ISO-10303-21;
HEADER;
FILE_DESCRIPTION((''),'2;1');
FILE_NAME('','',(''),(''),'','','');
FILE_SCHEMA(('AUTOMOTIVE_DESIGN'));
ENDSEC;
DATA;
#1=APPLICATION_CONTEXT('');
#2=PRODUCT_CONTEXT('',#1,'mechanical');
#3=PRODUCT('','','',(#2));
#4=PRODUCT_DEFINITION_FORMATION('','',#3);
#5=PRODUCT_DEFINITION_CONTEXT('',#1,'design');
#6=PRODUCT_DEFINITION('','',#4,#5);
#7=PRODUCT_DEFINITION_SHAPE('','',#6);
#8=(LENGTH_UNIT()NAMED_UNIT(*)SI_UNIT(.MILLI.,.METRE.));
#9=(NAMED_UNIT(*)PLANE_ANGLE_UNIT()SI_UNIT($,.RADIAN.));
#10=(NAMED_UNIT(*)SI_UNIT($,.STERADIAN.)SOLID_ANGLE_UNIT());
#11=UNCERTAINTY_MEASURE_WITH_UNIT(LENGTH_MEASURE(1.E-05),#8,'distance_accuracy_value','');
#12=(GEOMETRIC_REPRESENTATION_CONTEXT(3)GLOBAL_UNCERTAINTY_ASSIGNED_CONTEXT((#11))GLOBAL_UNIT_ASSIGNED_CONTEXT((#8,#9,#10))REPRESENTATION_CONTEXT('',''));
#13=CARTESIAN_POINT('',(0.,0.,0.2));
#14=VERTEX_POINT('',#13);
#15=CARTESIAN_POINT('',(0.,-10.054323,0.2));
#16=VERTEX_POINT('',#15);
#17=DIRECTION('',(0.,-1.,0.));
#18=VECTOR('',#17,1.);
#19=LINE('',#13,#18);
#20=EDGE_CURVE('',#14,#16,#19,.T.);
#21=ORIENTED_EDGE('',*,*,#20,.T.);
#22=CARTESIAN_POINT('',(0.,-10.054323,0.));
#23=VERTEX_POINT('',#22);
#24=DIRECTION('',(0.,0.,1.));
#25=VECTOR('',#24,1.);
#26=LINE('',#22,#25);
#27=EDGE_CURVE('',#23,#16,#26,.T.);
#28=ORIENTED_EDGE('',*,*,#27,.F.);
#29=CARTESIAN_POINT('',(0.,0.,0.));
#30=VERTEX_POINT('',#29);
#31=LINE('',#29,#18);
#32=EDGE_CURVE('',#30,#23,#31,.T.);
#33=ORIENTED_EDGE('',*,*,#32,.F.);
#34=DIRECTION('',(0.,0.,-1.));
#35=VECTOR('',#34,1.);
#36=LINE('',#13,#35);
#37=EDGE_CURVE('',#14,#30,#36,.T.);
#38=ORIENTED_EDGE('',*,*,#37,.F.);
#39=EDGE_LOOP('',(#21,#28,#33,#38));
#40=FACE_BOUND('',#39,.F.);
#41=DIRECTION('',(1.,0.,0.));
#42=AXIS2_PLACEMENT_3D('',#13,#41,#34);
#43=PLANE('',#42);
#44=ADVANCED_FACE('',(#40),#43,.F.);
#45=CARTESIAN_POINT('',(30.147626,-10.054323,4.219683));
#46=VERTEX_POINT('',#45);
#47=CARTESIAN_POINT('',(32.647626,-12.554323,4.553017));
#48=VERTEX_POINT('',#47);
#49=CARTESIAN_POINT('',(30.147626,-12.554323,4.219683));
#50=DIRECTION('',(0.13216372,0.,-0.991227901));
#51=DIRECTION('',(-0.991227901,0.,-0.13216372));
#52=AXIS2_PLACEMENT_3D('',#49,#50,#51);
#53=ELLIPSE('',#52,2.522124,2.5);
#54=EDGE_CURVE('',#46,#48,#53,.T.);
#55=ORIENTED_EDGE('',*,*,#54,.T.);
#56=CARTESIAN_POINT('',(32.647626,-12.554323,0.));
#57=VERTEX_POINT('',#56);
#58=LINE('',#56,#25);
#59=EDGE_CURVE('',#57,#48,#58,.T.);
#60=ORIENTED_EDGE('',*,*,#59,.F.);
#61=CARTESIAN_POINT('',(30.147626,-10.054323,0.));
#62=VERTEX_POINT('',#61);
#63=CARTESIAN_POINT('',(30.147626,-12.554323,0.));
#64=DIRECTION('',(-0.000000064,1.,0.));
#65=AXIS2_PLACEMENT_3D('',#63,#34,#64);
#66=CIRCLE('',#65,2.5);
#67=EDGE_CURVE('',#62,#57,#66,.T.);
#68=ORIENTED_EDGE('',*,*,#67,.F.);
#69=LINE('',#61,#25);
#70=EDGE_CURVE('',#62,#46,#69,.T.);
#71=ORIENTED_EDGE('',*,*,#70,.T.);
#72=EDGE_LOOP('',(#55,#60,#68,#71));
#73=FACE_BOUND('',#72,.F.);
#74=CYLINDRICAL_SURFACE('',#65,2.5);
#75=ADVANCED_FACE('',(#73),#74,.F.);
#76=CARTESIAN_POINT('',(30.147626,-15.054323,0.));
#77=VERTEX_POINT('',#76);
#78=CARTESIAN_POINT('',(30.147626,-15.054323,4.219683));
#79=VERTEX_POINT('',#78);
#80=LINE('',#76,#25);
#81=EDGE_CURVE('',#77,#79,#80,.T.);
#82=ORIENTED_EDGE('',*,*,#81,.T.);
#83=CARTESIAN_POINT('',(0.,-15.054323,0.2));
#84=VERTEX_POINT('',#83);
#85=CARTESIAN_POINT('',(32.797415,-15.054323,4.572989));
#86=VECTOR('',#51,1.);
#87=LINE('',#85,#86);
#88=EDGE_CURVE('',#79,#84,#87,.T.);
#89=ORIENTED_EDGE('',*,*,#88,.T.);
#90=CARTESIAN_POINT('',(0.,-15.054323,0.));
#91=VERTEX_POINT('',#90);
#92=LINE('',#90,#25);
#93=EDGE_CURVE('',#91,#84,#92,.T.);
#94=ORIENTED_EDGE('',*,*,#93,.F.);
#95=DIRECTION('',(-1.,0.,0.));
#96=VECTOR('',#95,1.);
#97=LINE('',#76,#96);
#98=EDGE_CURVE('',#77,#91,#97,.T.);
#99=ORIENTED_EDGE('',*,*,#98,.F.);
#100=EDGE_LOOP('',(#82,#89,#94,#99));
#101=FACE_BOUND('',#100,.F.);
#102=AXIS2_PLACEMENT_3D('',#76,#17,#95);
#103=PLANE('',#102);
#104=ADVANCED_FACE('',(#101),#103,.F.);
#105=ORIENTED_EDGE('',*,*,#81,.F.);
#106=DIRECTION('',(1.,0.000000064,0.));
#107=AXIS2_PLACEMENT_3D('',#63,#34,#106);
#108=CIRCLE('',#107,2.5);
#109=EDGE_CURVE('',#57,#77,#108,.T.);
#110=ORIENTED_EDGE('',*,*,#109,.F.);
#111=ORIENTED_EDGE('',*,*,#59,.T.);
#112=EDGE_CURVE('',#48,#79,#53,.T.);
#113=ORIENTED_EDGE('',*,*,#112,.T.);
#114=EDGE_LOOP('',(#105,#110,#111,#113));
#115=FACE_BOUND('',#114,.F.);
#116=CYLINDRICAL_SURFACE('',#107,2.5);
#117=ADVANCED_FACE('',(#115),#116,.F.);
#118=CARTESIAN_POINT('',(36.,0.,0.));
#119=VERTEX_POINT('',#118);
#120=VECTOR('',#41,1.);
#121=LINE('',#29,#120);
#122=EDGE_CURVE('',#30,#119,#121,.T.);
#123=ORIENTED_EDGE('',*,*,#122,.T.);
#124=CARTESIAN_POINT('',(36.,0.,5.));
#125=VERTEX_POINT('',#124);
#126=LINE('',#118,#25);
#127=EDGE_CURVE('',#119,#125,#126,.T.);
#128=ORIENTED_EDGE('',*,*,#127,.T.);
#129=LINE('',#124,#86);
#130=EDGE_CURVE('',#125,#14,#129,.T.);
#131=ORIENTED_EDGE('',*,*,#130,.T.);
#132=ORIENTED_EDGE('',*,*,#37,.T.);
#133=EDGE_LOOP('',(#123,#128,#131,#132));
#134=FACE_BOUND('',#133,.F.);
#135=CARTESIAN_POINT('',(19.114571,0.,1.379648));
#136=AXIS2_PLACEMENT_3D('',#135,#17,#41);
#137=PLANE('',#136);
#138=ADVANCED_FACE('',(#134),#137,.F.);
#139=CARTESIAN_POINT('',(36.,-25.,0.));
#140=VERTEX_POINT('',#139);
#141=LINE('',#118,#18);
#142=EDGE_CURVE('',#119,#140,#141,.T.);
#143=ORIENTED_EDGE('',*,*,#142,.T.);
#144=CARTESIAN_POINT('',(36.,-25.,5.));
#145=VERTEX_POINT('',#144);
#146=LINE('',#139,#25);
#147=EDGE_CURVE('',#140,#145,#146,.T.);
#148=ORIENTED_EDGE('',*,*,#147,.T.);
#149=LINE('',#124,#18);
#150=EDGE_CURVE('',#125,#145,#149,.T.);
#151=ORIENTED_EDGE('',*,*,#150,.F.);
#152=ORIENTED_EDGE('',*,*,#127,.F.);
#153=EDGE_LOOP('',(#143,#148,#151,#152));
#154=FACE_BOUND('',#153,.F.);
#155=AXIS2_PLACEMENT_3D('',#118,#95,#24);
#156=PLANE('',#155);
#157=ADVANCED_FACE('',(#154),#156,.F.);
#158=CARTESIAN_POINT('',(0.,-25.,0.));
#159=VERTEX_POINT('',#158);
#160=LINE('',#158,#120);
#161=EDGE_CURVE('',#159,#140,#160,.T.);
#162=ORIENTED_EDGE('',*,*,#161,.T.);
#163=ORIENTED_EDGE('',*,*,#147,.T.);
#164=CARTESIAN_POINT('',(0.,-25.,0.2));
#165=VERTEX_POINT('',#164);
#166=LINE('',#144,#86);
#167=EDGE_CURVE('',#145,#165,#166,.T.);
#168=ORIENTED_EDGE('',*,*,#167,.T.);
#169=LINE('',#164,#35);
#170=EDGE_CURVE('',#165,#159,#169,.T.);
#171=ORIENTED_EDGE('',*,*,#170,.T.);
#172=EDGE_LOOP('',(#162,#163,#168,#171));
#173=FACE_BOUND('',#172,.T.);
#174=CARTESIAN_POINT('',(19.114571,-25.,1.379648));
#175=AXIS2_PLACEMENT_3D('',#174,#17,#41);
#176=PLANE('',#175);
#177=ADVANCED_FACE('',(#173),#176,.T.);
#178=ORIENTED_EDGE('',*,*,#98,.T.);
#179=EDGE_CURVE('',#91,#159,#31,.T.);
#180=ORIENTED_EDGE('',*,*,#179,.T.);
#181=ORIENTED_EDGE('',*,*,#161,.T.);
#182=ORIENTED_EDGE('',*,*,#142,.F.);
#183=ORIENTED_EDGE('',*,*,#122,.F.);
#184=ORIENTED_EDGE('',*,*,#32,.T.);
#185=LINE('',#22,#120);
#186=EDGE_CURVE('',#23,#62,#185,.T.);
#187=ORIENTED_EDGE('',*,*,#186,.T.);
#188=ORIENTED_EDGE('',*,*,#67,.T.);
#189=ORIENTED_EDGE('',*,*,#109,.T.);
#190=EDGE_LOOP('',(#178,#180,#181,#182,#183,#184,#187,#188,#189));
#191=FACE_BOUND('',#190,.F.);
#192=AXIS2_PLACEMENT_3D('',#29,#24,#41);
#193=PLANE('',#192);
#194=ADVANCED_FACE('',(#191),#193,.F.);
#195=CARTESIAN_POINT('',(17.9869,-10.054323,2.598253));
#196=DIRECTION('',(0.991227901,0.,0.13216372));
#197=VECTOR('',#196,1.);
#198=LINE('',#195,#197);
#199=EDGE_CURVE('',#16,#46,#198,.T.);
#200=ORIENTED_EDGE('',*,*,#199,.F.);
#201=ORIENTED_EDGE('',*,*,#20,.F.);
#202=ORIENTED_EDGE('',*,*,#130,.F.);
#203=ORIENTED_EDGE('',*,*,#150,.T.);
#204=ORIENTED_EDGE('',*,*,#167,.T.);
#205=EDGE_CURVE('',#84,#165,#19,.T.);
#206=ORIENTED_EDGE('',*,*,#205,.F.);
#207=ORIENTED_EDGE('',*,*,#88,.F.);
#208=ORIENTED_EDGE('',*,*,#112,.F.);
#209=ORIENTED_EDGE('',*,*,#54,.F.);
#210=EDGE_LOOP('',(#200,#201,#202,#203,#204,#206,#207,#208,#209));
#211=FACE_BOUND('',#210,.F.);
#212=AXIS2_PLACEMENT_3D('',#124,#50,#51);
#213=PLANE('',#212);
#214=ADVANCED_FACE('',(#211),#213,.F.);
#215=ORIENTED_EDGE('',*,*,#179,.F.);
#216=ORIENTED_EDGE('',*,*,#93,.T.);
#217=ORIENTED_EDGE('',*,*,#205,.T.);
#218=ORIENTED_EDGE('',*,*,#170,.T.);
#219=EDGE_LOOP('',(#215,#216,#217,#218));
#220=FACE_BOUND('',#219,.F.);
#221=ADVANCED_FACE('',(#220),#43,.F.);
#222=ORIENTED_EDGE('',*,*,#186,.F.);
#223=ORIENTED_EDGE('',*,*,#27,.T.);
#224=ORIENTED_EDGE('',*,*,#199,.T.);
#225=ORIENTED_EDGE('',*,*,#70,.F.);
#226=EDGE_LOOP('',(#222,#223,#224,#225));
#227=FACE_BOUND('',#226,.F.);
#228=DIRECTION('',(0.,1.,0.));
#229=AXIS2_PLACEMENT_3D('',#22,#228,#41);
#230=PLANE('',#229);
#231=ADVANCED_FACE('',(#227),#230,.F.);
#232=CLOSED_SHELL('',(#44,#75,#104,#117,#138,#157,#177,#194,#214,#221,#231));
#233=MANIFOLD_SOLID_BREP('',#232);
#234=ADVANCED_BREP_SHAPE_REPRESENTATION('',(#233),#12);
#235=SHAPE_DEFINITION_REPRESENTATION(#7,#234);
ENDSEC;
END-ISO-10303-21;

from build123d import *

# Parameters (mm, degrees)
F1_DEPTH = 25
F3_D     = 4
F4_DEPTH = 25


with BuildPart() as f1:
    # F0 (on Front) → F1 (new body)
    with BuildSketch(Plane.XZ):
        Polygon((0, 0.2), (0, 0), (36, 0), (36, 5), align=None)
    extrude(amount=F1_DEPTH)

    # F3 (through all)
    with Locations(Plane(origin=(0, 0, 0), x_dir=(1, 0, 0), z_dir=(0, 0, -1))):
        with Locations((30.147626, 12.554323)):
            Hole(F3_D / 2)

    # F2 (on face) → F4 (cut)
    with BuildSketch(Plane(origin=(0, 0, 0), x_dir=(1, 0, 0), z_dir=(0, 0, -1))):
        with BuildLine():
            ThreePointArc((30.147626, 10.054323), (27.647626, 12.554323), (30.147626, 15.054323))
            Line((30.147626, 15.054323), (0, 15.054323))
            Line((0, 15.054323), (0, 10.054323))
            Line((0, 10.054323), (30.147626, 10.054323))
        make_face()
        with BuildLine():
            ThreePointArc((30.147626, 10.054323), (31.915393, 10.786556), (32.647626, 12.554323))
            ThreePointArc((32.647626, 12.554323), (31.915393, 14.32209), (30.147626, 15.054323))
            ThreePointArc((30.147626, 15.054323), (27.647626, 12.554323), (30.147626, 10.054323))
        make_face()
    extrude(amount=-F4_DEPTH, mode=Mode.SUBTRACT)


solid = f1.part
